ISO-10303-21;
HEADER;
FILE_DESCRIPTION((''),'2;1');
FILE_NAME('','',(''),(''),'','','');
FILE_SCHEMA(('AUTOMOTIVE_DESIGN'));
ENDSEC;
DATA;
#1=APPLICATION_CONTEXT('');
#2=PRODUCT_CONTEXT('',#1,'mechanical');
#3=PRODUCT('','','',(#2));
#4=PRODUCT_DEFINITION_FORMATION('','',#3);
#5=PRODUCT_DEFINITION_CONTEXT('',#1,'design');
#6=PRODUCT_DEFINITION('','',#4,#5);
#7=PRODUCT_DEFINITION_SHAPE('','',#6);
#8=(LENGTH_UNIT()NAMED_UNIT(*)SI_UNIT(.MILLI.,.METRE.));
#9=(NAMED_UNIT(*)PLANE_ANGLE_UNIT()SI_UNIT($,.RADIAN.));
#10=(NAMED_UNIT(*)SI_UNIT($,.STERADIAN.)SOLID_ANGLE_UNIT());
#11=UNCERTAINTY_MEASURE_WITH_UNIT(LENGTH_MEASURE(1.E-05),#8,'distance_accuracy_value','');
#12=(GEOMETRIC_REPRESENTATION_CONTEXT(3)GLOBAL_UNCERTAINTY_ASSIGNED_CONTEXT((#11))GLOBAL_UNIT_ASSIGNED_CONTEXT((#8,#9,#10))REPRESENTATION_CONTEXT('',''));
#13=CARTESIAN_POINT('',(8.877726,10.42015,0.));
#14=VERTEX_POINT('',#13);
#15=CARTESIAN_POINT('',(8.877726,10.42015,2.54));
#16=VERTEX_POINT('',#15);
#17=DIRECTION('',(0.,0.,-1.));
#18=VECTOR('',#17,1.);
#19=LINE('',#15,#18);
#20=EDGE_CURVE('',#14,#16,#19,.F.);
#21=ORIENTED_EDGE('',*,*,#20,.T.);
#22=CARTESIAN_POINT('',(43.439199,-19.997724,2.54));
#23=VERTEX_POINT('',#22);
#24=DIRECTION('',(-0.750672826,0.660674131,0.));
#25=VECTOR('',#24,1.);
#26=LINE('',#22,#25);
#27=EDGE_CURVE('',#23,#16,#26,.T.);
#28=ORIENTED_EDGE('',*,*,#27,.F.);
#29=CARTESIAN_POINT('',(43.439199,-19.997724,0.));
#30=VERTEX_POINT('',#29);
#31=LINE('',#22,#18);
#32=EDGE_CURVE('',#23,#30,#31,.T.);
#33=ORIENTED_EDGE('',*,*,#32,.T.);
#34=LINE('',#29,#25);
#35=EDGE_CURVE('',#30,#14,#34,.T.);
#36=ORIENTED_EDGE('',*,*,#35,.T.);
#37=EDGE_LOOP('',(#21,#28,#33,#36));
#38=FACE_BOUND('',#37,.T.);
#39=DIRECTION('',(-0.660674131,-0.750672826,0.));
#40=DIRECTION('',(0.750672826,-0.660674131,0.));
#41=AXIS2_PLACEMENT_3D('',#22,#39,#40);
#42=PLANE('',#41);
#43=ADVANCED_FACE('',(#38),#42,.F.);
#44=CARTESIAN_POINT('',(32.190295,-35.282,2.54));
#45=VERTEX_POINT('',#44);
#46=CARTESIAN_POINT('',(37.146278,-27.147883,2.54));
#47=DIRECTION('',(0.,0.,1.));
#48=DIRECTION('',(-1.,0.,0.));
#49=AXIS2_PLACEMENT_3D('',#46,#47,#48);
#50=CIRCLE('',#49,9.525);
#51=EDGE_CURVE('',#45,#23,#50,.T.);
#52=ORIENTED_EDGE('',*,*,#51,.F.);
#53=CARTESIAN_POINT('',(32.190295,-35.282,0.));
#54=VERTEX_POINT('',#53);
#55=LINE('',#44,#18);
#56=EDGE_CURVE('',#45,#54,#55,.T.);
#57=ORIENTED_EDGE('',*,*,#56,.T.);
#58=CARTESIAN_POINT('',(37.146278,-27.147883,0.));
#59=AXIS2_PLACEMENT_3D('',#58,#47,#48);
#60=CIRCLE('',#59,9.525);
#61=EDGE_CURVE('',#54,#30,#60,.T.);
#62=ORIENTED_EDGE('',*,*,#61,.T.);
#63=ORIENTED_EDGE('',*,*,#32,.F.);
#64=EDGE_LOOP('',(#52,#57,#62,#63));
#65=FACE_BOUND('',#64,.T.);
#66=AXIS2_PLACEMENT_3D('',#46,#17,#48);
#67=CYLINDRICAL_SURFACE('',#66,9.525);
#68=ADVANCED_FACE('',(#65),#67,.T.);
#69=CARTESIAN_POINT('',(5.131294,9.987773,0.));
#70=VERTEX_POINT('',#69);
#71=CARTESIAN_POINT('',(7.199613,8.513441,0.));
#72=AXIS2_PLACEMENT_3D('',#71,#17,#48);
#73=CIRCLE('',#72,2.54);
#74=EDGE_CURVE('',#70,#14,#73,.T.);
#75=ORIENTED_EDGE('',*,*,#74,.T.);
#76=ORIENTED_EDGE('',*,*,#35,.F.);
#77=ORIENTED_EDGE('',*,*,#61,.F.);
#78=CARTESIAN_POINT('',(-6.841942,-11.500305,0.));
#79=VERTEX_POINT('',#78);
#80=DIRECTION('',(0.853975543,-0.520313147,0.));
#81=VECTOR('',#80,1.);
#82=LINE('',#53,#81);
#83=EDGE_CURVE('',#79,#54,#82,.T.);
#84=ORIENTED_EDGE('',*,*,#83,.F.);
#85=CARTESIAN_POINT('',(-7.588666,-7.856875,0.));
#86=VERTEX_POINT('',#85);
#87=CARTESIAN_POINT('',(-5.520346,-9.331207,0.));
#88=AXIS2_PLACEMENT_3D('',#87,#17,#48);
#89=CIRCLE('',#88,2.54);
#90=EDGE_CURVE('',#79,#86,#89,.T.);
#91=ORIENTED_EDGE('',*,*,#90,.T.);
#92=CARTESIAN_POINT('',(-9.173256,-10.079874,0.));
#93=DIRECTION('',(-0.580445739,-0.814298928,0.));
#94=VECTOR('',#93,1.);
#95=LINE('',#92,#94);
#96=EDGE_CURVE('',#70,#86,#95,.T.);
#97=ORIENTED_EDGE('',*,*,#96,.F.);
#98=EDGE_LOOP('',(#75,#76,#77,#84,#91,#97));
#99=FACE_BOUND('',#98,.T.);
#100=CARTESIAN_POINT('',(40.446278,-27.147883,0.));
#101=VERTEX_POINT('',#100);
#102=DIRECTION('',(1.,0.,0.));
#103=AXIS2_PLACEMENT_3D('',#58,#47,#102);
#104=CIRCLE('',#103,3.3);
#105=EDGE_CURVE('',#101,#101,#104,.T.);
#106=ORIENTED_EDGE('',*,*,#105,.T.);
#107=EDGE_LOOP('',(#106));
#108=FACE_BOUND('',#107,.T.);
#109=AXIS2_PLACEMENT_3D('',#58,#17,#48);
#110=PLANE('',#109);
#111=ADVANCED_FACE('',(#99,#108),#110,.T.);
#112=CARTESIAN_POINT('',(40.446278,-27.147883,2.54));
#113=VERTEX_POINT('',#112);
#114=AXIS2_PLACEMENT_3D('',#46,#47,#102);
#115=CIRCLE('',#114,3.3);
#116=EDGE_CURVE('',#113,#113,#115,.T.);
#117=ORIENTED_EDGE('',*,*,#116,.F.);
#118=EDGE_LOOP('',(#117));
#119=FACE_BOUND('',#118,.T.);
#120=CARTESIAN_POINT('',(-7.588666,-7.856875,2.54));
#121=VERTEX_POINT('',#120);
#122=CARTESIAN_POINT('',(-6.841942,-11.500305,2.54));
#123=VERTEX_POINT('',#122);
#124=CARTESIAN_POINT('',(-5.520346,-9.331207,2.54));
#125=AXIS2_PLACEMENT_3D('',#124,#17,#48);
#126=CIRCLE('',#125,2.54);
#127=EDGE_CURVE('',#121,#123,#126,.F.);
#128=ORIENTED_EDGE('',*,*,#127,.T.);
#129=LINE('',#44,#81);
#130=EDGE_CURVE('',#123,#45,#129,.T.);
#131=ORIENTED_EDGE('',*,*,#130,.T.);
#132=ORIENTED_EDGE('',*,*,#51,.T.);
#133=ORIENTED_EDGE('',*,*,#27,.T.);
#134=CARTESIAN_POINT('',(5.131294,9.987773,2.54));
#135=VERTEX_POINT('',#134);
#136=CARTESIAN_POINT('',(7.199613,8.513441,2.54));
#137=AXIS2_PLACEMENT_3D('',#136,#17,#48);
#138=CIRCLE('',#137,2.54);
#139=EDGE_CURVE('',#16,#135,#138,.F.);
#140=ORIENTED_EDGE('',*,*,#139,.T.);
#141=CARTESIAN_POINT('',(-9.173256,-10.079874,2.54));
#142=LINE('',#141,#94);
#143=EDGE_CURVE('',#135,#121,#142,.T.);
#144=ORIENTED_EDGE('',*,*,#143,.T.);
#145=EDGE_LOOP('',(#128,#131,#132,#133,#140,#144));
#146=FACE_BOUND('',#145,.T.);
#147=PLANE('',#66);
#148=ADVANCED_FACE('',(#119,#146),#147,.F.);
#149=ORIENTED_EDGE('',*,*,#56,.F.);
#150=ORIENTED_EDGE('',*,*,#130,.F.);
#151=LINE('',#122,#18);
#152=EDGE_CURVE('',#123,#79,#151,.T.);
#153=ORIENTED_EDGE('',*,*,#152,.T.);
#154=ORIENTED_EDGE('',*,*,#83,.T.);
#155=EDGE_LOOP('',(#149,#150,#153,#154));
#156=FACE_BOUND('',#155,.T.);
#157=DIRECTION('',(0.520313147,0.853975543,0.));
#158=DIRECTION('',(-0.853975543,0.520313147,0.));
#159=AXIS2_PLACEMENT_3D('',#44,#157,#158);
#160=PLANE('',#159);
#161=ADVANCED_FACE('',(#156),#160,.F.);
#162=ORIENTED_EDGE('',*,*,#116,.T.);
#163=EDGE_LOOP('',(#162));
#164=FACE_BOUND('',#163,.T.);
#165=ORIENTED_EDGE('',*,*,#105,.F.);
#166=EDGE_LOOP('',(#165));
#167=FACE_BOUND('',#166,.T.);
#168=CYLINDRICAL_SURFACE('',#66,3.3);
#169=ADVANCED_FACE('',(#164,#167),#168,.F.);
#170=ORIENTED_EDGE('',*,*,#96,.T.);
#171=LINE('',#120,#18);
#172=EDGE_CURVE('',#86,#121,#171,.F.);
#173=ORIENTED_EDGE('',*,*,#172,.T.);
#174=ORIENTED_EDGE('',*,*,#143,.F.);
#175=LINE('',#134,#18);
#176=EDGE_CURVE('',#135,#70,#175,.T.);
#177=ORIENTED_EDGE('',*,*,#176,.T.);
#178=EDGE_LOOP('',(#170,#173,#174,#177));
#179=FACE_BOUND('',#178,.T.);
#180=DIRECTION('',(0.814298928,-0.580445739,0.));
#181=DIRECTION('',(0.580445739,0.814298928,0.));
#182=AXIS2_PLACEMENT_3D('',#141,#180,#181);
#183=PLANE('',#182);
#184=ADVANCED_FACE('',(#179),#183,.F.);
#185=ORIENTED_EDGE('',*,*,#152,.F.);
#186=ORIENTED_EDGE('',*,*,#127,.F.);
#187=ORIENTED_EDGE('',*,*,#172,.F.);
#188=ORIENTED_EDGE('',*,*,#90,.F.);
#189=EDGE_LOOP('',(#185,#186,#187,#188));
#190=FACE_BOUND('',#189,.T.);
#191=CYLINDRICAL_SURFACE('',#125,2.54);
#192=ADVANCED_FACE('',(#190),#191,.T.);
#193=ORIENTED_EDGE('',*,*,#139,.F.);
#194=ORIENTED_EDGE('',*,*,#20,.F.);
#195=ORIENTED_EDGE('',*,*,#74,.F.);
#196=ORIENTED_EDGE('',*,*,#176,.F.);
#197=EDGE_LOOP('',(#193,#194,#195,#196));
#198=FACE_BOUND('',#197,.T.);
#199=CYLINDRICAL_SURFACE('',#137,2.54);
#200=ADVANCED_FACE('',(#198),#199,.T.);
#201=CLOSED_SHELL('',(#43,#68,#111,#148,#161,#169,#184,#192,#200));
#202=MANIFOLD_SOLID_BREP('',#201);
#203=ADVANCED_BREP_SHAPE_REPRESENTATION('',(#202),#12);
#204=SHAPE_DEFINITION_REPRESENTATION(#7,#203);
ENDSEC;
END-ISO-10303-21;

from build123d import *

# Parameters (mm, degrees)
SKETCH1_R           = 3.3
BOSS_EXTRUDE3_DEPTH = 2.54
FILLET1_R           = 2.54
FILLET2_R           = 2.54


with BuildPart() as part:
    # Sketch1 → Boss-Extrude3 (new body)
    with BuildSketch(Plane.XY):
        with BuildLine():
            Line((32.190295112, -35.281999932), (-9.173256028, -10.079873667))
            Line((-9.173256028, -10.079873667), (6.764957958, 12.279616129))
            Line((6.764957958, 12.279616129), (43.439198939, -19.997724209))
            ThreePointArc((43.439198939, -19.997724209), (44.817595988, -32.793810869), (32.190295112, -35.281999932))
        make_face()
        with Locations((37.146277839, -27.14788288)):
            Circle(SKETCH1_R, mode=Mode.SUBTRACT)
    extrude(amount=BOSS_EXTRUDE3_DEPTH)

    # Fillet1
    fillet1_edges = [part.edges().sort_by_distance(p)[0] for p in [
        (-9.173256028, -10.079873667, 1.27),
    ]]
    fillet(fillet1_edges, radius=FILLET1_R)

    # Fillet2
    fillet2_edges = [part.edges().sort_by_distance(p)[0] for p in [
        (6.764957958, 12.279616129, 1.27),
    ]]
    fillet(fillet2_edges, radius=FILLET2_R)


solid = part.part
